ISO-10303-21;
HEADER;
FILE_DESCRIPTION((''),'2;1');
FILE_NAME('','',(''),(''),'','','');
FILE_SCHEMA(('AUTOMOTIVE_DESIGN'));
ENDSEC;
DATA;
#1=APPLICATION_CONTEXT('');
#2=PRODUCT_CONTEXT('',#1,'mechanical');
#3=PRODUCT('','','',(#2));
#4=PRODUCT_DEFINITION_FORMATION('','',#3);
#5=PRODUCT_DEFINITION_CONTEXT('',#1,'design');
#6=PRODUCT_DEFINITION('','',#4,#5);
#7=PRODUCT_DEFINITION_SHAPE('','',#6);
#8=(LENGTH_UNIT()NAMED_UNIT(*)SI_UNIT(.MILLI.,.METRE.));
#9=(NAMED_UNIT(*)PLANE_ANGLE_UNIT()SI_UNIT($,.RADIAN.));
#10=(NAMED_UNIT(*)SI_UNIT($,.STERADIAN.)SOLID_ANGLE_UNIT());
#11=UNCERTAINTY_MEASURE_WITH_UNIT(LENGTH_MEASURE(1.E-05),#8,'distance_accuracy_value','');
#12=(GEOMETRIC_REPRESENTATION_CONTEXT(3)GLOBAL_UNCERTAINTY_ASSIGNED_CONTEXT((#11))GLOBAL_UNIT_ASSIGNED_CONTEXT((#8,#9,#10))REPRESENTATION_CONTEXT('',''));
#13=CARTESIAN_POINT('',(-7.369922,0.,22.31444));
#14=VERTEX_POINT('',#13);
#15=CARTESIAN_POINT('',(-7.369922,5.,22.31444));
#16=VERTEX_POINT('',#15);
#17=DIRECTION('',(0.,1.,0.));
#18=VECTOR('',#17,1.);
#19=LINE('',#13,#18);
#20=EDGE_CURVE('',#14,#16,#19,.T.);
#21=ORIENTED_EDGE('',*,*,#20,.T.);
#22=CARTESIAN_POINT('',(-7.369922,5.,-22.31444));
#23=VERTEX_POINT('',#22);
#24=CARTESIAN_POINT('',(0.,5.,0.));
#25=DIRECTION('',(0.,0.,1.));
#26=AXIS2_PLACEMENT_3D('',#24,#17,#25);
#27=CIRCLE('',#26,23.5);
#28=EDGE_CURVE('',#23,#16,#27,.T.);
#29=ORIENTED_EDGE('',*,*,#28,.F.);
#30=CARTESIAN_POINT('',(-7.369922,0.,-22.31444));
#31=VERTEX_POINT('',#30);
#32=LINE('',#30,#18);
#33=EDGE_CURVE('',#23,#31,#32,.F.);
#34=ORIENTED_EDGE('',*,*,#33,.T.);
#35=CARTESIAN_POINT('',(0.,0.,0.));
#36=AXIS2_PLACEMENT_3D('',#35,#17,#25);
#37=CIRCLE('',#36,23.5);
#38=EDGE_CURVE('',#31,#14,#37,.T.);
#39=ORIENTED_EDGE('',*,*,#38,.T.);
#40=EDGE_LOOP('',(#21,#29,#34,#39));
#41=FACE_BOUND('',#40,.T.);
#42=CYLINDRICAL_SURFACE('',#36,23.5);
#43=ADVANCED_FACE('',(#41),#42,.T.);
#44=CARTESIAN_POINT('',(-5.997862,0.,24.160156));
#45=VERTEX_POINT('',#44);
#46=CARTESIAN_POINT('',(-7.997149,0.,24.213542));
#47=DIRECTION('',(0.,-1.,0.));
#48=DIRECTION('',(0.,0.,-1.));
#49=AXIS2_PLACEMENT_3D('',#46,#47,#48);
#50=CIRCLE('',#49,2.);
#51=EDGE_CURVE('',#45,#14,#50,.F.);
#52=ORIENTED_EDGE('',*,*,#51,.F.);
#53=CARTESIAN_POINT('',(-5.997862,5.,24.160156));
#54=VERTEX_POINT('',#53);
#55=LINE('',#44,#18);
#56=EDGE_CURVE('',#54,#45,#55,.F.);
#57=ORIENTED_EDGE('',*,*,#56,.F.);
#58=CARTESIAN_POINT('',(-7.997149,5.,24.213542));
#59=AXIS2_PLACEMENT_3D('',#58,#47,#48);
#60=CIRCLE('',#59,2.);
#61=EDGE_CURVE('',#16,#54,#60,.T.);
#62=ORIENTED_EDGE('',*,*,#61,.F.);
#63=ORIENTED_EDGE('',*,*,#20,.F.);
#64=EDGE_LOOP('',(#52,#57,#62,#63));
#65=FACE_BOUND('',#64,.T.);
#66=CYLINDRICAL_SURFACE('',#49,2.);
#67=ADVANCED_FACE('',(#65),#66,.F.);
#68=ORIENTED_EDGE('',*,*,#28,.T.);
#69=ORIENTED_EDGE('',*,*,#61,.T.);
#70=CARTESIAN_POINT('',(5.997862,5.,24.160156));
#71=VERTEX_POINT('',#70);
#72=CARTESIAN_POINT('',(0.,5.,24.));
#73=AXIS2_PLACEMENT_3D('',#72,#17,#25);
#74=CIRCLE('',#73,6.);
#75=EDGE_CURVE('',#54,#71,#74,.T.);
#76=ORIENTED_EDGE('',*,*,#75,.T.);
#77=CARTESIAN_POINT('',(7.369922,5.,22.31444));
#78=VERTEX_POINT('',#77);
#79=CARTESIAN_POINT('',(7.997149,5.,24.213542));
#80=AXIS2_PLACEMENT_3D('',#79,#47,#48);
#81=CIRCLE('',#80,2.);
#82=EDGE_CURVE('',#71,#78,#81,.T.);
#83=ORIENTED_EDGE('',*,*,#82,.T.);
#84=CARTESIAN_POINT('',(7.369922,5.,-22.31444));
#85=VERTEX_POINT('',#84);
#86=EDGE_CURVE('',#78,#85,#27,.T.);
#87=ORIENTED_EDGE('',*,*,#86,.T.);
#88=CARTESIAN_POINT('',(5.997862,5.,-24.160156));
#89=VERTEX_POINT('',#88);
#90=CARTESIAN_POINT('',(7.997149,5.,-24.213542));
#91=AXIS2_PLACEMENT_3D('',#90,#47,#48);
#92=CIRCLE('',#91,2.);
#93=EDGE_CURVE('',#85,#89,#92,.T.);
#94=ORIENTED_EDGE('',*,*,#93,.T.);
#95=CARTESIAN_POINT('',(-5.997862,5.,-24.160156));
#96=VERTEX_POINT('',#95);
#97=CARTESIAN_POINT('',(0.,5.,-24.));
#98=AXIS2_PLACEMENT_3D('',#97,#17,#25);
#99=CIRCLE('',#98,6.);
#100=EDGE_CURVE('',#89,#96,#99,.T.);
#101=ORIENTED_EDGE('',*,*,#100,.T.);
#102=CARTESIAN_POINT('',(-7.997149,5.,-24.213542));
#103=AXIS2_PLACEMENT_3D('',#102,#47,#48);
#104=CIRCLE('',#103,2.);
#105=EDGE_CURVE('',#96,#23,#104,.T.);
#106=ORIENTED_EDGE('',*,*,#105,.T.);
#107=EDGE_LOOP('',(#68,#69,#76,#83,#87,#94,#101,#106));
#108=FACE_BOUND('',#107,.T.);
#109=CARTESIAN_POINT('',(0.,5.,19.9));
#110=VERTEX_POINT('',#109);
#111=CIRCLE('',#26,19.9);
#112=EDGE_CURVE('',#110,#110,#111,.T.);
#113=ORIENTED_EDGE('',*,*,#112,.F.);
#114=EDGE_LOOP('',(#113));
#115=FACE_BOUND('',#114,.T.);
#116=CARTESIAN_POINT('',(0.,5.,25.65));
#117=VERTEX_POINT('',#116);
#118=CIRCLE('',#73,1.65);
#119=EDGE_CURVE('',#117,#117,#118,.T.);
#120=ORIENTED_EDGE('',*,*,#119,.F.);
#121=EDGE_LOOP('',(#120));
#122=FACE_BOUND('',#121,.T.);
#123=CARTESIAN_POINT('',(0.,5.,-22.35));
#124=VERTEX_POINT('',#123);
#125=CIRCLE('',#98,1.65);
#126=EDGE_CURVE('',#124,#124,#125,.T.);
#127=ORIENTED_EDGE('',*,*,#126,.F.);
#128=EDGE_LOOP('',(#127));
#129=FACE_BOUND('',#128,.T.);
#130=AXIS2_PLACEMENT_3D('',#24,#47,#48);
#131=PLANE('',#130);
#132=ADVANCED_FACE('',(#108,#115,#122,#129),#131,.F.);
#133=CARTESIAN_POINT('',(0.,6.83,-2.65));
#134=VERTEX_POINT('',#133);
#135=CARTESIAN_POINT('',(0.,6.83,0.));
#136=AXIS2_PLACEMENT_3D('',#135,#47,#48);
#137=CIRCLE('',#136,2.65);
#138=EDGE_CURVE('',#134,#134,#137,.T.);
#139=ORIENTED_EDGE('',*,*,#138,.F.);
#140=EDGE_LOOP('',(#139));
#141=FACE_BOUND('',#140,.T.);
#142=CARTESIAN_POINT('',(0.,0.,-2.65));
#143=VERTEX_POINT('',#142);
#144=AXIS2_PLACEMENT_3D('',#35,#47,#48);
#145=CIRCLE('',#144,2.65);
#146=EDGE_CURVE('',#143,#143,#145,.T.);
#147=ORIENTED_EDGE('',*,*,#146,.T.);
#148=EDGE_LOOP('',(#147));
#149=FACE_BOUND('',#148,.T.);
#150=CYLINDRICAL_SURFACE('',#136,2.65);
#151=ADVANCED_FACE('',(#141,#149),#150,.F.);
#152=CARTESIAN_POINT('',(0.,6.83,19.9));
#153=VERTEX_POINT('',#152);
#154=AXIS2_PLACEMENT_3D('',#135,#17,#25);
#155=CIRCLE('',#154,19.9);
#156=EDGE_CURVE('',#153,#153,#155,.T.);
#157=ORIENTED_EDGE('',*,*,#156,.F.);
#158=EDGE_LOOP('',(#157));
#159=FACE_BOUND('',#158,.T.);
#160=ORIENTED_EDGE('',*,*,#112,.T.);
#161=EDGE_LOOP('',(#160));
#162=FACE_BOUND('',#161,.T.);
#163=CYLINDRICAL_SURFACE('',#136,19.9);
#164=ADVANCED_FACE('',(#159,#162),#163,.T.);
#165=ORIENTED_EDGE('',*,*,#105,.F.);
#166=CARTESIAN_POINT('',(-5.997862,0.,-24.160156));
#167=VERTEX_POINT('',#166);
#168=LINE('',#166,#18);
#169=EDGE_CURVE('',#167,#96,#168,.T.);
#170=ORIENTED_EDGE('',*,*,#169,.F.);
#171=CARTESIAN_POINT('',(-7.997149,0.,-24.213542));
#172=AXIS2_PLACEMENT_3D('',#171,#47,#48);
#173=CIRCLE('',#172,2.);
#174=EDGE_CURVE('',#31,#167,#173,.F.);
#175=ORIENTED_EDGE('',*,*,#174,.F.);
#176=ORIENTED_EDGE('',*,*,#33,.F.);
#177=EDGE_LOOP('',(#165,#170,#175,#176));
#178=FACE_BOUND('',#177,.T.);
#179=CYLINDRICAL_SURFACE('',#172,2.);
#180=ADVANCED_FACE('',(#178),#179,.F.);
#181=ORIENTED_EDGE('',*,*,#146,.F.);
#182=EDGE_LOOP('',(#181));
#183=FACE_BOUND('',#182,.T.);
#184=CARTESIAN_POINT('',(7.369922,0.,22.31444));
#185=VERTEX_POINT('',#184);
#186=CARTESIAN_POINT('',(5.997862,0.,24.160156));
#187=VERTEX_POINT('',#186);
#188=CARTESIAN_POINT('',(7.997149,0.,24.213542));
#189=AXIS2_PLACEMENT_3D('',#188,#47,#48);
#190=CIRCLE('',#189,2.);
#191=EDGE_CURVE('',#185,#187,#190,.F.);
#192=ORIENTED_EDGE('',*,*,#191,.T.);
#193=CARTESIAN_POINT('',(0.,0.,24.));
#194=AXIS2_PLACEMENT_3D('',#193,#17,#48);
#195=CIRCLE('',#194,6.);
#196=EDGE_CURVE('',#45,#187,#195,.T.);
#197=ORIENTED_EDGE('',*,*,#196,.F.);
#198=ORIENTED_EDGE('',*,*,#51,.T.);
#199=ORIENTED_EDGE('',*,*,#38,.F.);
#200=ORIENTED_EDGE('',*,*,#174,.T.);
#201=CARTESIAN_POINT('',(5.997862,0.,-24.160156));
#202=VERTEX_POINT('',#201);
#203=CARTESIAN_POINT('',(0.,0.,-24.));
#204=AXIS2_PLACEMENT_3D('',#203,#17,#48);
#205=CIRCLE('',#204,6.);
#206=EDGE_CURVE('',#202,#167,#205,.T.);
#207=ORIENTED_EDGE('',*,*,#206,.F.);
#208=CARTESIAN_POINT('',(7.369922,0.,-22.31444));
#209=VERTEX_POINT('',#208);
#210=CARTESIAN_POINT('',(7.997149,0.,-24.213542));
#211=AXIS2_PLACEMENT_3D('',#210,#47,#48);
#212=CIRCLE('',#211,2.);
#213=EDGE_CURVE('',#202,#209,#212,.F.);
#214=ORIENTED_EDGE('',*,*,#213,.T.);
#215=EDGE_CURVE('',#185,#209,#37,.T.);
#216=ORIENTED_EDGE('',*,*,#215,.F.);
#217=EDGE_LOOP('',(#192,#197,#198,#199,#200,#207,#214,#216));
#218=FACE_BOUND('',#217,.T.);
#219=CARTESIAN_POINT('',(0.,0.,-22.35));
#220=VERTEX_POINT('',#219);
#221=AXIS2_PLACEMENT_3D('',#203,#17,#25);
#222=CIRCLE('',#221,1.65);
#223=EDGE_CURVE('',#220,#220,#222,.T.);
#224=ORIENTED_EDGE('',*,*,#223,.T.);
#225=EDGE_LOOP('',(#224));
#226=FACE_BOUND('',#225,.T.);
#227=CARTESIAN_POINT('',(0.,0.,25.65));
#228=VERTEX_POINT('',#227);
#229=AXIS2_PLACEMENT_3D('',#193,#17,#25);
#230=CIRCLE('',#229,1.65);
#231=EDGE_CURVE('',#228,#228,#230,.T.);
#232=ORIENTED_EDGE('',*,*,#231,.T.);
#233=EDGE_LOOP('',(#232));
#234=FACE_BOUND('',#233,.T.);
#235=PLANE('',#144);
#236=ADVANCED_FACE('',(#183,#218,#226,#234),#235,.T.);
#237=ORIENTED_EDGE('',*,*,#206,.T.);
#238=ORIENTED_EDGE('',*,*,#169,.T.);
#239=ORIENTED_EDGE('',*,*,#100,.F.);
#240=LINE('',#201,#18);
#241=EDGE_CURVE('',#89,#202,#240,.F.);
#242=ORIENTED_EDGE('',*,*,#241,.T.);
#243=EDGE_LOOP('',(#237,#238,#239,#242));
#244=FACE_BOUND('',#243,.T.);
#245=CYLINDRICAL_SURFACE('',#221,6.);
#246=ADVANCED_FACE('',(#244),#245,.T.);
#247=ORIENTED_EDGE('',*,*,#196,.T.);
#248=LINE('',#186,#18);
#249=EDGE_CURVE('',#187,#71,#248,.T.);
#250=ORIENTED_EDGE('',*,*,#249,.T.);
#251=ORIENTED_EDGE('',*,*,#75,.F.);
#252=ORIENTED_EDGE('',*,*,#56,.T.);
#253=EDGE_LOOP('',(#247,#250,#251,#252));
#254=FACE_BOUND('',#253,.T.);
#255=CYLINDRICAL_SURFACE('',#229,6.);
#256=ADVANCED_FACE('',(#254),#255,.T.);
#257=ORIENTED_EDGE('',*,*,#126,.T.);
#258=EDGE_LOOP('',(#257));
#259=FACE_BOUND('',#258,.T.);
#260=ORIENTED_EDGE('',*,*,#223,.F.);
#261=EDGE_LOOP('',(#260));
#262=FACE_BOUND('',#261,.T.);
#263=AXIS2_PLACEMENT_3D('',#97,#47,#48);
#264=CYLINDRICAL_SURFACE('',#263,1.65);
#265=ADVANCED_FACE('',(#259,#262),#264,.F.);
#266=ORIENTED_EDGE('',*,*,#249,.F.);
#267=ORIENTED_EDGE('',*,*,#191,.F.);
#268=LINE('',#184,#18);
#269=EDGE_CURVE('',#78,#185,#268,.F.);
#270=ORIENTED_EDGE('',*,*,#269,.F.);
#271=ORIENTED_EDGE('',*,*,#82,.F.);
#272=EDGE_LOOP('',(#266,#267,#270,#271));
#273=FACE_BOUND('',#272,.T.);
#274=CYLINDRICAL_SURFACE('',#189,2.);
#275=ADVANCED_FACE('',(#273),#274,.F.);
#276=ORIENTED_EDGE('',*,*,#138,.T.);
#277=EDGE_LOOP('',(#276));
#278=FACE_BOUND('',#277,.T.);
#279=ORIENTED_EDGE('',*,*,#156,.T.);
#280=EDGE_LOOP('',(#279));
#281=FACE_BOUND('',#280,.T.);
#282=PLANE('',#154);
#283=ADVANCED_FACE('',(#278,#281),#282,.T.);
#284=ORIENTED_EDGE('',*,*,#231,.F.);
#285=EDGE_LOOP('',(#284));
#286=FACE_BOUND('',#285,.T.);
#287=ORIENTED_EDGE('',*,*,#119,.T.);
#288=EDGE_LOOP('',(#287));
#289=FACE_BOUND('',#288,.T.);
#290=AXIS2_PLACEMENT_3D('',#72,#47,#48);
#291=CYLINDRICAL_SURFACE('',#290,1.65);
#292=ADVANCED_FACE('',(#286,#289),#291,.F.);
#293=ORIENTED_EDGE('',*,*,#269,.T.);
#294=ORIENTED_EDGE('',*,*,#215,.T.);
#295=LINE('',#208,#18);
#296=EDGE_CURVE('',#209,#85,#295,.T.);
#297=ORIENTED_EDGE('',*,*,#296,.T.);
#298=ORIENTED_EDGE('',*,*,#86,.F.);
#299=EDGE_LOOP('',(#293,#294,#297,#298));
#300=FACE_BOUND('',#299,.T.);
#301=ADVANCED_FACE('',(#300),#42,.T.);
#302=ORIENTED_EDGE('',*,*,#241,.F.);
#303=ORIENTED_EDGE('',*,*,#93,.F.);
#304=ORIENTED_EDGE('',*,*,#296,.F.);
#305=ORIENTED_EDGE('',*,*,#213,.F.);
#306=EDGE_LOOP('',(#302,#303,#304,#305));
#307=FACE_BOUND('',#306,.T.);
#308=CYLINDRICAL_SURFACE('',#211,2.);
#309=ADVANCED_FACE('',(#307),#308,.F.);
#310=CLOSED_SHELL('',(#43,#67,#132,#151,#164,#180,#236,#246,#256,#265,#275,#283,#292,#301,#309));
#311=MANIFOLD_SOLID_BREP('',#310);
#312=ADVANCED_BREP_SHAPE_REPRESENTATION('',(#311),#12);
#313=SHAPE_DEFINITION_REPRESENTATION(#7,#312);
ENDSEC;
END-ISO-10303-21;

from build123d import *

# Parameters (mm, degrees)
SKETCH1_W           = 60
SKETCH1_H           = 60
SKETCH1_R           = 1.65
BOSS_EXTRUDE1_DEPTH = 5
SKETCH2_R           = 19.9
BOSS_EXTRUDE2_DEPTH = 1.83
SKETCH3_OUTSIDE_W   = 79.026
SKETCH3_OUTSIDE_H   = 79.026
CUT_EXTRUDE1_DEPTH  = 43.720018727
SKETCH4_R           = 2.65
CUT_EXTRUDE2_DEPTH  = 39.715615713
FILLET1_R           = 2


with BuildPart() as part:
    # Sketch1 → Boss-Extrude1 (new body)
    with BuildSketch(Plane(origin=(0, 0, 0), x_dir=(1, 0, 0), z_dir=(0, 1, 0))):
        Rectangle(SKETCH1_W, SKETCH1_H)
        with Locations(Location((0, 24, 0), (0, 0, 270))):
            Circle(SKETCH1_R, mode=Mode.SUBTRACT)
        with Locations(Location((0, -24, 0), (0, 0, 270))):
            Circle(SKETCH1_R, mode=Mode.SUBTRACT)
    extrude(amount=BOSS_EXTRUDE1_DEPTH)

    # Sketch2 → Boss-Extrude2 (add)
    with BuildSketch(Plane(origin=(0, 5, 0), x_dir=(1, 0, 0), z_dir=(0, 1, 0))):
        with Locations(Location((0, 0, 0), (0, 0, 270))):
            Circle(SKETCH2_R)
    extrude(amount=BOSS_EXTRUDE2_DEPTH)

    # Sketch3 outside → Cut-Extrude1 (cut, through all)
    with BuildSketch(Plane(origin=(0, 5, 0), x_dir=(1, 0, 0), z_dir=(0, 1, 0))):
        Rectangle(SKETCH3_OUTSIDE_W, SKETCH3_OUTSIDE_H)
        with BuildLine():
            ThreePointArc((5.869454294, -22.755208333), (23.5, 0), (5.869454294, 22.755208333))
            ThreePointArc((5.869454294, 22.755208333), (4.66201405, 27.776986232), (0, 30))
            ThreePointArc((0, 30), (-4.66201405, 27.776986232), (-5.869454294, 22.755208333))
            ThreePointArc((-5.869454294, 22.755208333), (-23.5, 0), (-5.869454294, -22.755208333))
            ThreePointArc((-5.869454294, -22.755208333), (-4.66201405, -27.776986232), (0, -30))
            ThreePointArc((0, -30), (4.66201405, -27.776986232), (5.869454294, -22.755208333))
        make_face(mode=Mode.SUBTRACT)
    extrude(amount=-CUT_EXTRUDE1_DEPTH, mode=Mode.SUBTRACT)

    # Sketch4 → Cut-Extrude2 (cut, through all)
    with BuildSketch(Plane.XZ):
        with Locations(Location((0, 0, 0), (0, 0, 270))):
            Circle(SKETCH4_R)
    extrude(amount=-CUT_EXTRUDE2_DEPTH, mode=Mode.SUBTRACT)

    # Fillet1
    fillet1_edges = [part.edges().sort_by_distance(p)[0] for p in [
        (5.869454294, 2.5, -22.755208333),
        (-5.869454294, 2.5, 22.755208333),
        (5.869454294, 2.5, 22.755208333),
        (-5.869454294, 2.5, -22.755208333),
    ]]
    fillet(fillet1_edges, radius=FILLET1_R)


solid = part.part
